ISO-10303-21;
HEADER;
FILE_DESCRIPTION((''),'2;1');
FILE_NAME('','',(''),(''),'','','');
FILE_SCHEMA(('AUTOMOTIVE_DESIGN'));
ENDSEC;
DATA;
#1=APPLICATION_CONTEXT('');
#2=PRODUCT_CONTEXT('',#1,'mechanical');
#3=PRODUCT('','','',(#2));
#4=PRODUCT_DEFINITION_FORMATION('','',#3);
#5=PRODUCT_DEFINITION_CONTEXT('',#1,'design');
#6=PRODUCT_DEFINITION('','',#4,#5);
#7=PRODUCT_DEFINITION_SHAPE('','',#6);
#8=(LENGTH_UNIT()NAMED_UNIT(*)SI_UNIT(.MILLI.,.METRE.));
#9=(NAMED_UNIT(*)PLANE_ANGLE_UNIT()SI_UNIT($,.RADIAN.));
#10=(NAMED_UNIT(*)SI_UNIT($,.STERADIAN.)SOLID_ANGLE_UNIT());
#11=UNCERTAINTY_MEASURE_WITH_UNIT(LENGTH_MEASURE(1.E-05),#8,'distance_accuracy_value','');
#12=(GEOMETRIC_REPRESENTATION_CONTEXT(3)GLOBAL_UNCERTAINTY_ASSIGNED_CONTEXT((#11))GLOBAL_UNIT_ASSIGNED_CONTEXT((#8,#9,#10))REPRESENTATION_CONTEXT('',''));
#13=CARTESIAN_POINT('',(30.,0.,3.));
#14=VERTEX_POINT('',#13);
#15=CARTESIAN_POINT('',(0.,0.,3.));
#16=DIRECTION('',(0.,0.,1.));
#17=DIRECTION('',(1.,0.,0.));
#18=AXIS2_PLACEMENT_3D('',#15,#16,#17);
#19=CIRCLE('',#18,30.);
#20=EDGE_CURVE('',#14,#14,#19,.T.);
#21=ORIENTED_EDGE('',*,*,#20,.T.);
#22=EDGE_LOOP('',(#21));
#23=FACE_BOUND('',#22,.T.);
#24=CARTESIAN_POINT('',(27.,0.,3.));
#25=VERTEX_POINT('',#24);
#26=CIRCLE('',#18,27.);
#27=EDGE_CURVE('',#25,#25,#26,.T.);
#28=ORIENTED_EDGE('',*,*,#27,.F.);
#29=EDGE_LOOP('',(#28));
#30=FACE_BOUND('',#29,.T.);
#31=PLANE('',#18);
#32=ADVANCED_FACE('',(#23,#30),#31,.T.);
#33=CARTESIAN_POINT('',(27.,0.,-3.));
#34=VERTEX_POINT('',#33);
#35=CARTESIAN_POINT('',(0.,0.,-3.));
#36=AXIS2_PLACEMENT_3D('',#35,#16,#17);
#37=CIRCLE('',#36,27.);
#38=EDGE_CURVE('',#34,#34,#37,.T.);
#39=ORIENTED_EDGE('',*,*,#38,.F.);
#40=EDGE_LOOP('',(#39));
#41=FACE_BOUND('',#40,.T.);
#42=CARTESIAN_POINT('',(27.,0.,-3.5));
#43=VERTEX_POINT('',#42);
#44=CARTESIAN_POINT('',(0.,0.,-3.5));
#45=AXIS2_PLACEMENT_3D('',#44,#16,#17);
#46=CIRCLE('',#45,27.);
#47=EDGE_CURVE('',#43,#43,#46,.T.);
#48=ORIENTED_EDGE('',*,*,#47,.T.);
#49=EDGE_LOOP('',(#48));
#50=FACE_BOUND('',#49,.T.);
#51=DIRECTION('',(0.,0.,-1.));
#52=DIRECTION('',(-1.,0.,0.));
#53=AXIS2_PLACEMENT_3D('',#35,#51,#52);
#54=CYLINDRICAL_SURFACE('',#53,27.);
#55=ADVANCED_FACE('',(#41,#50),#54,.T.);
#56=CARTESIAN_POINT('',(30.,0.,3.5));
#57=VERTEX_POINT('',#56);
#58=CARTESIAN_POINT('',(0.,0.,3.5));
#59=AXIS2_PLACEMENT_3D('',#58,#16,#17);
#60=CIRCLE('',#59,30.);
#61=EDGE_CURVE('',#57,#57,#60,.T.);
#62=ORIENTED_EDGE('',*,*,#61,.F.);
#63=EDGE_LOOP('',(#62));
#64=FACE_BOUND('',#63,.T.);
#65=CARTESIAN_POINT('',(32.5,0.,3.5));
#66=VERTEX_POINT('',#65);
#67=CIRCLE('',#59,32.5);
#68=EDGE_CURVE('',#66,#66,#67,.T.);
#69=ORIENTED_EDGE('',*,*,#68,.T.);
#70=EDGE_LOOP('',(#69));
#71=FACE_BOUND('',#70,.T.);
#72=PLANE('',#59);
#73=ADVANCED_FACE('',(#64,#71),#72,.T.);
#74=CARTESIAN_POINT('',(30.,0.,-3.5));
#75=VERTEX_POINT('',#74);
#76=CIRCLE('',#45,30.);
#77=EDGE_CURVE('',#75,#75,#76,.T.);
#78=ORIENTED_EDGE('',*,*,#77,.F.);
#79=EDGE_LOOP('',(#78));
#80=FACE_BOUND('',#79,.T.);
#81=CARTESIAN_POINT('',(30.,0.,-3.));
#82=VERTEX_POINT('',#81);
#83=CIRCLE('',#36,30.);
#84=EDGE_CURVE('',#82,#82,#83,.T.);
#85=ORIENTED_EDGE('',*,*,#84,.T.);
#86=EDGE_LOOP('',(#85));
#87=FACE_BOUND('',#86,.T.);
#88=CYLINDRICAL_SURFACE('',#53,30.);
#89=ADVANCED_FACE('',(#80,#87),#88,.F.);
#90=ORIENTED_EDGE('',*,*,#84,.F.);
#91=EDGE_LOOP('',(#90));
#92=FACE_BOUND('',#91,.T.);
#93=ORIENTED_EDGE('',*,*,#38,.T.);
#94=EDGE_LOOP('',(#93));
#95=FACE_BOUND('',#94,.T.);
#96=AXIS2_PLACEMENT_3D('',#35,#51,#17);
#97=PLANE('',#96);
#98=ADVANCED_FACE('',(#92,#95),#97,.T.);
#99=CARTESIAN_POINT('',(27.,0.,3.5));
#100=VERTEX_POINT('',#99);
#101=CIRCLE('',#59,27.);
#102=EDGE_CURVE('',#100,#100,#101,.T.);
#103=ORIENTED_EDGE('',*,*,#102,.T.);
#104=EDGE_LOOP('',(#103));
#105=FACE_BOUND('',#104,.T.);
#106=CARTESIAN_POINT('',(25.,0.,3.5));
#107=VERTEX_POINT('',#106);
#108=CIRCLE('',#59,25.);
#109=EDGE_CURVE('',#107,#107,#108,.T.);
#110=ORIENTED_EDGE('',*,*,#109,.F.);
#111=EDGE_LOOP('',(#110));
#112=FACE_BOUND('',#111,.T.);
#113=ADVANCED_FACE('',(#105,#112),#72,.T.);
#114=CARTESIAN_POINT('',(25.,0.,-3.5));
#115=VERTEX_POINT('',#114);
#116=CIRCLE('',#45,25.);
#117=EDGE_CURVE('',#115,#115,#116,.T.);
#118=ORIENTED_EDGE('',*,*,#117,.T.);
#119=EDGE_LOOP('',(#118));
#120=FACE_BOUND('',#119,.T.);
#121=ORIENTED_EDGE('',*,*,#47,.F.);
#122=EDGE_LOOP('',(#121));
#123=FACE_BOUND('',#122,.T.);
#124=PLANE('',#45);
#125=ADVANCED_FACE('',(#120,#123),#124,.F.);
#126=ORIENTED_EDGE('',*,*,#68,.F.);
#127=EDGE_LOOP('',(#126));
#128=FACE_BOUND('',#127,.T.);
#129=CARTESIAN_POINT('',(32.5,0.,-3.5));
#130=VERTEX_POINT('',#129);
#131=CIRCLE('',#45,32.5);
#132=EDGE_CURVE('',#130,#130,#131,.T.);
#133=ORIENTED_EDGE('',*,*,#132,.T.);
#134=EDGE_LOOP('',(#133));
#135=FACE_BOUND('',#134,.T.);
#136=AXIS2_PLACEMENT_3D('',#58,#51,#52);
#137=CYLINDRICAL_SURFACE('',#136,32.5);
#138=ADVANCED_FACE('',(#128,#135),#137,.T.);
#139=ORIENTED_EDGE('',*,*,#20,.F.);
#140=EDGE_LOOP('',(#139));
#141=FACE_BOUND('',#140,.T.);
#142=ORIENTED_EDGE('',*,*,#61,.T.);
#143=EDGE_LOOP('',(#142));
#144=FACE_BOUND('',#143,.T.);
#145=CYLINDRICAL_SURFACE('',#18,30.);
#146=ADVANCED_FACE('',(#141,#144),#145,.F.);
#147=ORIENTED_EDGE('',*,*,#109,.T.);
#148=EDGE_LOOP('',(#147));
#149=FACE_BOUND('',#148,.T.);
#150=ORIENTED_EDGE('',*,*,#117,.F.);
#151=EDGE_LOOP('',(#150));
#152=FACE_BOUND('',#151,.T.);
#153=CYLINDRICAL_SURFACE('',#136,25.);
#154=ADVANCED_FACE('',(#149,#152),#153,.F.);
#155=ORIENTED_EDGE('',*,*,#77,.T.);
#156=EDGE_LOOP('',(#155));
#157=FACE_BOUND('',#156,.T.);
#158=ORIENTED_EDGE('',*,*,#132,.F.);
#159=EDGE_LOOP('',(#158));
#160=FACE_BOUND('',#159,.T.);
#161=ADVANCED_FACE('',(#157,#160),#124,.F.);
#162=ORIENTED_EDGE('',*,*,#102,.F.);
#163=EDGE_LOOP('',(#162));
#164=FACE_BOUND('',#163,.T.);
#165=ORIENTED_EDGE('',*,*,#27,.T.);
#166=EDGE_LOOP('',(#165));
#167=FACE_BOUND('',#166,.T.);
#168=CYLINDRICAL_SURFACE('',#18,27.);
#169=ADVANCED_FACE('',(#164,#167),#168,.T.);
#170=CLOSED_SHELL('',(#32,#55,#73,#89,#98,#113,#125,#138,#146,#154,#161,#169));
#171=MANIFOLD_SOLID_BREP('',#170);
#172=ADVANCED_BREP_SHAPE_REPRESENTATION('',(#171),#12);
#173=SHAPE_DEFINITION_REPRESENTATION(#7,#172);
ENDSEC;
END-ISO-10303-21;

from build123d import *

# Parameters (mm, degrees)
SKETCH_1_R          = 32.5
SKETCH_1_R_2        = 25
EXTRUDE_1_DEPTH     = 3.5
SKETCH_2_R          = 30
SKETCH_2_R_2        = 27
CUT_EXTRUDE_1_DEPTH = 0.5


with BuildPart() as part:
    # 草图1 → 凸台-拉伸1 (new, symmetric)
    with BuildSketch(Plane.XY):
        Circle(SKETCH_1_R)
        Circle(SKETCH_1_R_2, mode=Mode.SUBTRACT)
    extrude(amount=EXTRUDE_1_DEPTH, both=True)

    # 草图2 → 切除-拉伸1 (cut)
    with BuildSketch(Plane.XY.offset(3.5)):
        Circle(SKETCH_2_R)
        Circle(SKETCH_2_R_2, mode=Mode.SUBTRACT)
    cut_extrude_1 = extrude(amount=-CUT_EXTRUDE_1_DEPTH, mode=Mode.SUBTRACT)

    # 镜向1: 切除-拉伸1 across plane
    add(cut_extrude_1.mirror(Plane.XY), mode=Mode.SUBTRACT)


solid = part.part
